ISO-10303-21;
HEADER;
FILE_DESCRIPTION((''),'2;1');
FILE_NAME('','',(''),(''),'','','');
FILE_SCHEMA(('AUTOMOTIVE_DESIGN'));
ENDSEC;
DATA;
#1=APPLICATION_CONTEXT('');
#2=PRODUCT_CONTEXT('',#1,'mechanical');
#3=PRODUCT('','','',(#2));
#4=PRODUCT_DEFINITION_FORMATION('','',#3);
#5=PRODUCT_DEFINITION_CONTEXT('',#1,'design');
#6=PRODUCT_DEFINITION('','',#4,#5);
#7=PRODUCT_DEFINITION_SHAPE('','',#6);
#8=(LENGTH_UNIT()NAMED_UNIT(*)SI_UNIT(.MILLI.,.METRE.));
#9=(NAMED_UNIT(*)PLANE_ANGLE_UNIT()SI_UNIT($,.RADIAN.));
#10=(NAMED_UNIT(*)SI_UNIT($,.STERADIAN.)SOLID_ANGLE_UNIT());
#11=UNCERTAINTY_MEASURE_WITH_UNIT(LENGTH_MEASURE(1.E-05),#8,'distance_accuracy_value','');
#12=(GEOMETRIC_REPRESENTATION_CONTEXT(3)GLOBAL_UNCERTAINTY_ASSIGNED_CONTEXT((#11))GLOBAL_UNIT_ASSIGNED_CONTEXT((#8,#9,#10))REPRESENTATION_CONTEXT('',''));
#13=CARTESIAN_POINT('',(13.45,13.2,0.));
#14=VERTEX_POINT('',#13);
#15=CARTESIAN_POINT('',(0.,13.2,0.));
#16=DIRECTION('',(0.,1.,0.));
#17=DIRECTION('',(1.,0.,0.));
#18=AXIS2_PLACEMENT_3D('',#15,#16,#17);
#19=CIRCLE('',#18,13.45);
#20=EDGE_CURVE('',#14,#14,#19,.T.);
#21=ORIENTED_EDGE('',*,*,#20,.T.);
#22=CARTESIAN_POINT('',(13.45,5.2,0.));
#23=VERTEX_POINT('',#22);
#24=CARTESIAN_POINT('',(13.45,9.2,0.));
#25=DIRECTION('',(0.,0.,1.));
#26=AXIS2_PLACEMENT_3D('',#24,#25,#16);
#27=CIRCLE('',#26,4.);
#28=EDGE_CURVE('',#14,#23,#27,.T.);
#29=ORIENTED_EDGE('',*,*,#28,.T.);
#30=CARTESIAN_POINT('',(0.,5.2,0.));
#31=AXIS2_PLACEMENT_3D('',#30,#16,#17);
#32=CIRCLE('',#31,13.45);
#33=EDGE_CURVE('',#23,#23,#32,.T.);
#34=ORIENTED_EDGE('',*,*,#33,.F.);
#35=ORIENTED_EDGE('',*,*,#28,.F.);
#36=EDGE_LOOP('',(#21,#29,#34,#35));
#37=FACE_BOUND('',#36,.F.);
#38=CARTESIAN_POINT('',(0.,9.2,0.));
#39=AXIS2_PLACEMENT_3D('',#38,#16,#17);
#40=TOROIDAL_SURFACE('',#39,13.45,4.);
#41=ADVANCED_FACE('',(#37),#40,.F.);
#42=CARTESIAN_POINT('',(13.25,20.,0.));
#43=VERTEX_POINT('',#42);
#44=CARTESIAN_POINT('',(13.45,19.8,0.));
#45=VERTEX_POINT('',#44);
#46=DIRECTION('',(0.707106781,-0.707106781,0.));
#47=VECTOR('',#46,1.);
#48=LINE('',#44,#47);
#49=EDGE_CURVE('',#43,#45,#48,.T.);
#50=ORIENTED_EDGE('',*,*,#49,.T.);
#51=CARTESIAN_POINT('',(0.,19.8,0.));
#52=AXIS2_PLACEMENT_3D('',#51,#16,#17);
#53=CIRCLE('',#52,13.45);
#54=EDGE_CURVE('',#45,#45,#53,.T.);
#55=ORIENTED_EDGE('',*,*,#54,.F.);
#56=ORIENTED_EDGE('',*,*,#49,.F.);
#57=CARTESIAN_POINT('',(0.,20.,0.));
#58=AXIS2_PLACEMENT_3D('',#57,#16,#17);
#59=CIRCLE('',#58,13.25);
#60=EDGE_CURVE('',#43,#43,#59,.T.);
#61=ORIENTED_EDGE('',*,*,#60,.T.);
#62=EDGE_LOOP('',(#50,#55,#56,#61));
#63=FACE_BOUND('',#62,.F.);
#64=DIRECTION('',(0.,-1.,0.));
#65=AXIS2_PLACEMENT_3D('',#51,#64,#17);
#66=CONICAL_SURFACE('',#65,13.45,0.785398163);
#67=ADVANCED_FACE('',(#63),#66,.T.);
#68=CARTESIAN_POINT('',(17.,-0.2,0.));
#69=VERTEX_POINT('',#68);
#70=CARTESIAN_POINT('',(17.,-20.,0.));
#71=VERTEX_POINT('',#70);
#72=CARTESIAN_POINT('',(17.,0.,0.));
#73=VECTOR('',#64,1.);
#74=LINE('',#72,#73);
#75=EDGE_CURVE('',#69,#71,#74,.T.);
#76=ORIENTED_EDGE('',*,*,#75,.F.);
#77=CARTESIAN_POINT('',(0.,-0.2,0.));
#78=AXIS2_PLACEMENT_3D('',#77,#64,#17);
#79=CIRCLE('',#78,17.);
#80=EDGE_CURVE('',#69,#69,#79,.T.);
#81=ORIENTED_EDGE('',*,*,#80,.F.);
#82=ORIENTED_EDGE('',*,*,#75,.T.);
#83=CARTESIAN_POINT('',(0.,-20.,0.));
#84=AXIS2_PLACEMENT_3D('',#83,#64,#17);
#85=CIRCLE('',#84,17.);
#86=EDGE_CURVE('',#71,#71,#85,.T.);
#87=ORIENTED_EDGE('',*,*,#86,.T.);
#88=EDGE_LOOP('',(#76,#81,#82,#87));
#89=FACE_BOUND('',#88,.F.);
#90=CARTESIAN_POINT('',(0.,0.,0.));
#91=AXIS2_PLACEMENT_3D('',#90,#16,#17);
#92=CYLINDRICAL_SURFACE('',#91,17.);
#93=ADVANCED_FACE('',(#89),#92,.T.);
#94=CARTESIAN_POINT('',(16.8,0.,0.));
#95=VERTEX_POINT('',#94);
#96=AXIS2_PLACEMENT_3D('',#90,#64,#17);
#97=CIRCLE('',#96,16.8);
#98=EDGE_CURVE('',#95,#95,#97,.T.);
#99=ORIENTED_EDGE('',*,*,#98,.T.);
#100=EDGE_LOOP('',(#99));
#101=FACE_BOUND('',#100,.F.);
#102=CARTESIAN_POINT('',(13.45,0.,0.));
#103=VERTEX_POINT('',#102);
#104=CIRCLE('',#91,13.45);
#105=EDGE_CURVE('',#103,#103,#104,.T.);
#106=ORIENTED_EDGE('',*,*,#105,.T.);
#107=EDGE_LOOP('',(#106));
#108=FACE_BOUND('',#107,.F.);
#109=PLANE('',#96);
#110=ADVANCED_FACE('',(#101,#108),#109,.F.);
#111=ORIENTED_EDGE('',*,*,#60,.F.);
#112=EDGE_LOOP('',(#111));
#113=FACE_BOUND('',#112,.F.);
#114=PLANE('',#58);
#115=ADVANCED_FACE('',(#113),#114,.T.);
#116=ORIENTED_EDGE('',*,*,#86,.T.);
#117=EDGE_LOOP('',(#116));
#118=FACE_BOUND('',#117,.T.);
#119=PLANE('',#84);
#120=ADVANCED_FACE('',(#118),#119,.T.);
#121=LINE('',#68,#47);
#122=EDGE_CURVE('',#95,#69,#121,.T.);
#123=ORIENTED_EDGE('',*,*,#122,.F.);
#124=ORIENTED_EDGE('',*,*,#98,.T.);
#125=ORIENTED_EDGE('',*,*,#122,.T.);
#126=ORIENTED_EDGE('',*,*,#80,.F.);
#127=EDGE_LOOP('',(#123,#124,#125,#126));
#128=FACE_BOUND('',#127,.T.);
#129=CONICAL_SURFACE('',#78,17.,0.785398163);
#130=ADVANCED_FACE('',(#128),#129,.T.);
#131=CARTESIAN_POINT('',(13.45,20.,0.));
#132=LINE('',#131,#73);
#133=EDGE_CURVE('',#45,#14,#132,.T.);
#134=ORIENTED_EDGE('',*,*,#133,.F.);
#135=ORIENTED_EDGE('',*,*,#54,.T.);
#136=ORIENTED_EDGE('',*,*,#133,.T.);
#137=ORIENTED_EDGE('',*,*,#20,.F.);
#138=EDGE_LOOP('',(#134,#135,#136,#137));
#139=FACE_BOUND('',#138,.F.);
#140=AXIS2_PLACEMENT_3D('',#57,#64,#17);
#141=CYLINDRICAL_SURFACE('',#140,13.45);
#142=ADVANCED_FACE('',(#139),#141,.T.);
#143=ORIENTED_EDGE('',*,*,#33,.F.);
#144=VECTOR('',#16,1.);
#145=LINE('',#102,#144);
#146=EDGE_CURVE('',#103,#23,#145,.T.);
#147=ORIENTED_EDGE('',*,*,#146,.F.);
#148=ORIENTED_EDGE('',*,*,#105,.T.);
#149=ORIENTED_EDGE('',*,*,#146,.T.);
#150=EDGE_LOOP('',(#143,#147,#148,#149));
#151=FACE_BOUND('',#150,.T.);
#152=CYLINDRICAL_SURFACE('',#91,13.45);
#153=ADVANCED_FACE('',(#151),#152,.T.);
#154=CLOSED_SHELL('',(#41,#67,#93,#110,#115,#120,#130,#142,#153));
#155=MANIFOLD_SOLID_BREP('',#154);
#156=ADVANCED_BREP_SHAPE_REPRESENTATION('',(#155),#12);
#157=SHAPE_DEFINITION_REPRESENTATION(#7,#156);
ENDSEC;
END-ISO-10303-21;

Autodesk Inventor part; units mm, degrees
ref_plane "YZ Plane" through (0, 0, 0) normal (1, 0, 0) x (0, 1, 0)
ref_plane "XZ Plane" through (0, 0, 0) normal (0, 1, 0) x (-1, 0, 0)
ref_plane "XY Plane" through (0, 0, 0) normal (0, 0, 1) x (1, 0, 0)
sketch "Sketch1" plane through (0, 0, 0) normal (0, 0, 1) x (1, 0, 0)
  line L0 (0, 0) -> (0, 20)
  line L1 (0, 20) -> (13.45, 20)
  line L2 (13.45, 20) -> (13.45, 13.2)
  line L3 (0, 0) -> (13.45, 0)
  line L4 (13.45, 0) -> (13.45, 5.2)
  arc A0 (13.45, 13.2) -> (13.45, 5.2) centre (13.45, 9.2) ccw
  dimension "d0" = 20
  dimension "d1" = 13.45
  dimension "d2" = 6.8
  dimension "d3" = 13.45
  dimension "d4" = 8
  dimension "d5" = 4
revolve "Revolution1" add sketch "Sketch1" angle 360 about axis through (0, 0, 0) along (0, 1, 0)
chamfer "Chamfer1" distance 0.2 angle 45 1 edges at (-13.45, 20, 0)
sketch "Sketch2" plane through (0, 0, 0) normal (0, -1, 0) x (1, 0, 0)
  circle A0 centre (0, 0) radius 13.45 projected
  circle A1 centre (0, 0) radius 17
  dimension "d10" = 34
extrude "Extrusion1" add sketch "Sketch2" along normal blind 20 contours A0 | A1
chamfer "Chamfer2" distance 0.2 angle 45 1 edges at (-17, 0, 0)
properties part number "slik_clamp_head38_stud"
